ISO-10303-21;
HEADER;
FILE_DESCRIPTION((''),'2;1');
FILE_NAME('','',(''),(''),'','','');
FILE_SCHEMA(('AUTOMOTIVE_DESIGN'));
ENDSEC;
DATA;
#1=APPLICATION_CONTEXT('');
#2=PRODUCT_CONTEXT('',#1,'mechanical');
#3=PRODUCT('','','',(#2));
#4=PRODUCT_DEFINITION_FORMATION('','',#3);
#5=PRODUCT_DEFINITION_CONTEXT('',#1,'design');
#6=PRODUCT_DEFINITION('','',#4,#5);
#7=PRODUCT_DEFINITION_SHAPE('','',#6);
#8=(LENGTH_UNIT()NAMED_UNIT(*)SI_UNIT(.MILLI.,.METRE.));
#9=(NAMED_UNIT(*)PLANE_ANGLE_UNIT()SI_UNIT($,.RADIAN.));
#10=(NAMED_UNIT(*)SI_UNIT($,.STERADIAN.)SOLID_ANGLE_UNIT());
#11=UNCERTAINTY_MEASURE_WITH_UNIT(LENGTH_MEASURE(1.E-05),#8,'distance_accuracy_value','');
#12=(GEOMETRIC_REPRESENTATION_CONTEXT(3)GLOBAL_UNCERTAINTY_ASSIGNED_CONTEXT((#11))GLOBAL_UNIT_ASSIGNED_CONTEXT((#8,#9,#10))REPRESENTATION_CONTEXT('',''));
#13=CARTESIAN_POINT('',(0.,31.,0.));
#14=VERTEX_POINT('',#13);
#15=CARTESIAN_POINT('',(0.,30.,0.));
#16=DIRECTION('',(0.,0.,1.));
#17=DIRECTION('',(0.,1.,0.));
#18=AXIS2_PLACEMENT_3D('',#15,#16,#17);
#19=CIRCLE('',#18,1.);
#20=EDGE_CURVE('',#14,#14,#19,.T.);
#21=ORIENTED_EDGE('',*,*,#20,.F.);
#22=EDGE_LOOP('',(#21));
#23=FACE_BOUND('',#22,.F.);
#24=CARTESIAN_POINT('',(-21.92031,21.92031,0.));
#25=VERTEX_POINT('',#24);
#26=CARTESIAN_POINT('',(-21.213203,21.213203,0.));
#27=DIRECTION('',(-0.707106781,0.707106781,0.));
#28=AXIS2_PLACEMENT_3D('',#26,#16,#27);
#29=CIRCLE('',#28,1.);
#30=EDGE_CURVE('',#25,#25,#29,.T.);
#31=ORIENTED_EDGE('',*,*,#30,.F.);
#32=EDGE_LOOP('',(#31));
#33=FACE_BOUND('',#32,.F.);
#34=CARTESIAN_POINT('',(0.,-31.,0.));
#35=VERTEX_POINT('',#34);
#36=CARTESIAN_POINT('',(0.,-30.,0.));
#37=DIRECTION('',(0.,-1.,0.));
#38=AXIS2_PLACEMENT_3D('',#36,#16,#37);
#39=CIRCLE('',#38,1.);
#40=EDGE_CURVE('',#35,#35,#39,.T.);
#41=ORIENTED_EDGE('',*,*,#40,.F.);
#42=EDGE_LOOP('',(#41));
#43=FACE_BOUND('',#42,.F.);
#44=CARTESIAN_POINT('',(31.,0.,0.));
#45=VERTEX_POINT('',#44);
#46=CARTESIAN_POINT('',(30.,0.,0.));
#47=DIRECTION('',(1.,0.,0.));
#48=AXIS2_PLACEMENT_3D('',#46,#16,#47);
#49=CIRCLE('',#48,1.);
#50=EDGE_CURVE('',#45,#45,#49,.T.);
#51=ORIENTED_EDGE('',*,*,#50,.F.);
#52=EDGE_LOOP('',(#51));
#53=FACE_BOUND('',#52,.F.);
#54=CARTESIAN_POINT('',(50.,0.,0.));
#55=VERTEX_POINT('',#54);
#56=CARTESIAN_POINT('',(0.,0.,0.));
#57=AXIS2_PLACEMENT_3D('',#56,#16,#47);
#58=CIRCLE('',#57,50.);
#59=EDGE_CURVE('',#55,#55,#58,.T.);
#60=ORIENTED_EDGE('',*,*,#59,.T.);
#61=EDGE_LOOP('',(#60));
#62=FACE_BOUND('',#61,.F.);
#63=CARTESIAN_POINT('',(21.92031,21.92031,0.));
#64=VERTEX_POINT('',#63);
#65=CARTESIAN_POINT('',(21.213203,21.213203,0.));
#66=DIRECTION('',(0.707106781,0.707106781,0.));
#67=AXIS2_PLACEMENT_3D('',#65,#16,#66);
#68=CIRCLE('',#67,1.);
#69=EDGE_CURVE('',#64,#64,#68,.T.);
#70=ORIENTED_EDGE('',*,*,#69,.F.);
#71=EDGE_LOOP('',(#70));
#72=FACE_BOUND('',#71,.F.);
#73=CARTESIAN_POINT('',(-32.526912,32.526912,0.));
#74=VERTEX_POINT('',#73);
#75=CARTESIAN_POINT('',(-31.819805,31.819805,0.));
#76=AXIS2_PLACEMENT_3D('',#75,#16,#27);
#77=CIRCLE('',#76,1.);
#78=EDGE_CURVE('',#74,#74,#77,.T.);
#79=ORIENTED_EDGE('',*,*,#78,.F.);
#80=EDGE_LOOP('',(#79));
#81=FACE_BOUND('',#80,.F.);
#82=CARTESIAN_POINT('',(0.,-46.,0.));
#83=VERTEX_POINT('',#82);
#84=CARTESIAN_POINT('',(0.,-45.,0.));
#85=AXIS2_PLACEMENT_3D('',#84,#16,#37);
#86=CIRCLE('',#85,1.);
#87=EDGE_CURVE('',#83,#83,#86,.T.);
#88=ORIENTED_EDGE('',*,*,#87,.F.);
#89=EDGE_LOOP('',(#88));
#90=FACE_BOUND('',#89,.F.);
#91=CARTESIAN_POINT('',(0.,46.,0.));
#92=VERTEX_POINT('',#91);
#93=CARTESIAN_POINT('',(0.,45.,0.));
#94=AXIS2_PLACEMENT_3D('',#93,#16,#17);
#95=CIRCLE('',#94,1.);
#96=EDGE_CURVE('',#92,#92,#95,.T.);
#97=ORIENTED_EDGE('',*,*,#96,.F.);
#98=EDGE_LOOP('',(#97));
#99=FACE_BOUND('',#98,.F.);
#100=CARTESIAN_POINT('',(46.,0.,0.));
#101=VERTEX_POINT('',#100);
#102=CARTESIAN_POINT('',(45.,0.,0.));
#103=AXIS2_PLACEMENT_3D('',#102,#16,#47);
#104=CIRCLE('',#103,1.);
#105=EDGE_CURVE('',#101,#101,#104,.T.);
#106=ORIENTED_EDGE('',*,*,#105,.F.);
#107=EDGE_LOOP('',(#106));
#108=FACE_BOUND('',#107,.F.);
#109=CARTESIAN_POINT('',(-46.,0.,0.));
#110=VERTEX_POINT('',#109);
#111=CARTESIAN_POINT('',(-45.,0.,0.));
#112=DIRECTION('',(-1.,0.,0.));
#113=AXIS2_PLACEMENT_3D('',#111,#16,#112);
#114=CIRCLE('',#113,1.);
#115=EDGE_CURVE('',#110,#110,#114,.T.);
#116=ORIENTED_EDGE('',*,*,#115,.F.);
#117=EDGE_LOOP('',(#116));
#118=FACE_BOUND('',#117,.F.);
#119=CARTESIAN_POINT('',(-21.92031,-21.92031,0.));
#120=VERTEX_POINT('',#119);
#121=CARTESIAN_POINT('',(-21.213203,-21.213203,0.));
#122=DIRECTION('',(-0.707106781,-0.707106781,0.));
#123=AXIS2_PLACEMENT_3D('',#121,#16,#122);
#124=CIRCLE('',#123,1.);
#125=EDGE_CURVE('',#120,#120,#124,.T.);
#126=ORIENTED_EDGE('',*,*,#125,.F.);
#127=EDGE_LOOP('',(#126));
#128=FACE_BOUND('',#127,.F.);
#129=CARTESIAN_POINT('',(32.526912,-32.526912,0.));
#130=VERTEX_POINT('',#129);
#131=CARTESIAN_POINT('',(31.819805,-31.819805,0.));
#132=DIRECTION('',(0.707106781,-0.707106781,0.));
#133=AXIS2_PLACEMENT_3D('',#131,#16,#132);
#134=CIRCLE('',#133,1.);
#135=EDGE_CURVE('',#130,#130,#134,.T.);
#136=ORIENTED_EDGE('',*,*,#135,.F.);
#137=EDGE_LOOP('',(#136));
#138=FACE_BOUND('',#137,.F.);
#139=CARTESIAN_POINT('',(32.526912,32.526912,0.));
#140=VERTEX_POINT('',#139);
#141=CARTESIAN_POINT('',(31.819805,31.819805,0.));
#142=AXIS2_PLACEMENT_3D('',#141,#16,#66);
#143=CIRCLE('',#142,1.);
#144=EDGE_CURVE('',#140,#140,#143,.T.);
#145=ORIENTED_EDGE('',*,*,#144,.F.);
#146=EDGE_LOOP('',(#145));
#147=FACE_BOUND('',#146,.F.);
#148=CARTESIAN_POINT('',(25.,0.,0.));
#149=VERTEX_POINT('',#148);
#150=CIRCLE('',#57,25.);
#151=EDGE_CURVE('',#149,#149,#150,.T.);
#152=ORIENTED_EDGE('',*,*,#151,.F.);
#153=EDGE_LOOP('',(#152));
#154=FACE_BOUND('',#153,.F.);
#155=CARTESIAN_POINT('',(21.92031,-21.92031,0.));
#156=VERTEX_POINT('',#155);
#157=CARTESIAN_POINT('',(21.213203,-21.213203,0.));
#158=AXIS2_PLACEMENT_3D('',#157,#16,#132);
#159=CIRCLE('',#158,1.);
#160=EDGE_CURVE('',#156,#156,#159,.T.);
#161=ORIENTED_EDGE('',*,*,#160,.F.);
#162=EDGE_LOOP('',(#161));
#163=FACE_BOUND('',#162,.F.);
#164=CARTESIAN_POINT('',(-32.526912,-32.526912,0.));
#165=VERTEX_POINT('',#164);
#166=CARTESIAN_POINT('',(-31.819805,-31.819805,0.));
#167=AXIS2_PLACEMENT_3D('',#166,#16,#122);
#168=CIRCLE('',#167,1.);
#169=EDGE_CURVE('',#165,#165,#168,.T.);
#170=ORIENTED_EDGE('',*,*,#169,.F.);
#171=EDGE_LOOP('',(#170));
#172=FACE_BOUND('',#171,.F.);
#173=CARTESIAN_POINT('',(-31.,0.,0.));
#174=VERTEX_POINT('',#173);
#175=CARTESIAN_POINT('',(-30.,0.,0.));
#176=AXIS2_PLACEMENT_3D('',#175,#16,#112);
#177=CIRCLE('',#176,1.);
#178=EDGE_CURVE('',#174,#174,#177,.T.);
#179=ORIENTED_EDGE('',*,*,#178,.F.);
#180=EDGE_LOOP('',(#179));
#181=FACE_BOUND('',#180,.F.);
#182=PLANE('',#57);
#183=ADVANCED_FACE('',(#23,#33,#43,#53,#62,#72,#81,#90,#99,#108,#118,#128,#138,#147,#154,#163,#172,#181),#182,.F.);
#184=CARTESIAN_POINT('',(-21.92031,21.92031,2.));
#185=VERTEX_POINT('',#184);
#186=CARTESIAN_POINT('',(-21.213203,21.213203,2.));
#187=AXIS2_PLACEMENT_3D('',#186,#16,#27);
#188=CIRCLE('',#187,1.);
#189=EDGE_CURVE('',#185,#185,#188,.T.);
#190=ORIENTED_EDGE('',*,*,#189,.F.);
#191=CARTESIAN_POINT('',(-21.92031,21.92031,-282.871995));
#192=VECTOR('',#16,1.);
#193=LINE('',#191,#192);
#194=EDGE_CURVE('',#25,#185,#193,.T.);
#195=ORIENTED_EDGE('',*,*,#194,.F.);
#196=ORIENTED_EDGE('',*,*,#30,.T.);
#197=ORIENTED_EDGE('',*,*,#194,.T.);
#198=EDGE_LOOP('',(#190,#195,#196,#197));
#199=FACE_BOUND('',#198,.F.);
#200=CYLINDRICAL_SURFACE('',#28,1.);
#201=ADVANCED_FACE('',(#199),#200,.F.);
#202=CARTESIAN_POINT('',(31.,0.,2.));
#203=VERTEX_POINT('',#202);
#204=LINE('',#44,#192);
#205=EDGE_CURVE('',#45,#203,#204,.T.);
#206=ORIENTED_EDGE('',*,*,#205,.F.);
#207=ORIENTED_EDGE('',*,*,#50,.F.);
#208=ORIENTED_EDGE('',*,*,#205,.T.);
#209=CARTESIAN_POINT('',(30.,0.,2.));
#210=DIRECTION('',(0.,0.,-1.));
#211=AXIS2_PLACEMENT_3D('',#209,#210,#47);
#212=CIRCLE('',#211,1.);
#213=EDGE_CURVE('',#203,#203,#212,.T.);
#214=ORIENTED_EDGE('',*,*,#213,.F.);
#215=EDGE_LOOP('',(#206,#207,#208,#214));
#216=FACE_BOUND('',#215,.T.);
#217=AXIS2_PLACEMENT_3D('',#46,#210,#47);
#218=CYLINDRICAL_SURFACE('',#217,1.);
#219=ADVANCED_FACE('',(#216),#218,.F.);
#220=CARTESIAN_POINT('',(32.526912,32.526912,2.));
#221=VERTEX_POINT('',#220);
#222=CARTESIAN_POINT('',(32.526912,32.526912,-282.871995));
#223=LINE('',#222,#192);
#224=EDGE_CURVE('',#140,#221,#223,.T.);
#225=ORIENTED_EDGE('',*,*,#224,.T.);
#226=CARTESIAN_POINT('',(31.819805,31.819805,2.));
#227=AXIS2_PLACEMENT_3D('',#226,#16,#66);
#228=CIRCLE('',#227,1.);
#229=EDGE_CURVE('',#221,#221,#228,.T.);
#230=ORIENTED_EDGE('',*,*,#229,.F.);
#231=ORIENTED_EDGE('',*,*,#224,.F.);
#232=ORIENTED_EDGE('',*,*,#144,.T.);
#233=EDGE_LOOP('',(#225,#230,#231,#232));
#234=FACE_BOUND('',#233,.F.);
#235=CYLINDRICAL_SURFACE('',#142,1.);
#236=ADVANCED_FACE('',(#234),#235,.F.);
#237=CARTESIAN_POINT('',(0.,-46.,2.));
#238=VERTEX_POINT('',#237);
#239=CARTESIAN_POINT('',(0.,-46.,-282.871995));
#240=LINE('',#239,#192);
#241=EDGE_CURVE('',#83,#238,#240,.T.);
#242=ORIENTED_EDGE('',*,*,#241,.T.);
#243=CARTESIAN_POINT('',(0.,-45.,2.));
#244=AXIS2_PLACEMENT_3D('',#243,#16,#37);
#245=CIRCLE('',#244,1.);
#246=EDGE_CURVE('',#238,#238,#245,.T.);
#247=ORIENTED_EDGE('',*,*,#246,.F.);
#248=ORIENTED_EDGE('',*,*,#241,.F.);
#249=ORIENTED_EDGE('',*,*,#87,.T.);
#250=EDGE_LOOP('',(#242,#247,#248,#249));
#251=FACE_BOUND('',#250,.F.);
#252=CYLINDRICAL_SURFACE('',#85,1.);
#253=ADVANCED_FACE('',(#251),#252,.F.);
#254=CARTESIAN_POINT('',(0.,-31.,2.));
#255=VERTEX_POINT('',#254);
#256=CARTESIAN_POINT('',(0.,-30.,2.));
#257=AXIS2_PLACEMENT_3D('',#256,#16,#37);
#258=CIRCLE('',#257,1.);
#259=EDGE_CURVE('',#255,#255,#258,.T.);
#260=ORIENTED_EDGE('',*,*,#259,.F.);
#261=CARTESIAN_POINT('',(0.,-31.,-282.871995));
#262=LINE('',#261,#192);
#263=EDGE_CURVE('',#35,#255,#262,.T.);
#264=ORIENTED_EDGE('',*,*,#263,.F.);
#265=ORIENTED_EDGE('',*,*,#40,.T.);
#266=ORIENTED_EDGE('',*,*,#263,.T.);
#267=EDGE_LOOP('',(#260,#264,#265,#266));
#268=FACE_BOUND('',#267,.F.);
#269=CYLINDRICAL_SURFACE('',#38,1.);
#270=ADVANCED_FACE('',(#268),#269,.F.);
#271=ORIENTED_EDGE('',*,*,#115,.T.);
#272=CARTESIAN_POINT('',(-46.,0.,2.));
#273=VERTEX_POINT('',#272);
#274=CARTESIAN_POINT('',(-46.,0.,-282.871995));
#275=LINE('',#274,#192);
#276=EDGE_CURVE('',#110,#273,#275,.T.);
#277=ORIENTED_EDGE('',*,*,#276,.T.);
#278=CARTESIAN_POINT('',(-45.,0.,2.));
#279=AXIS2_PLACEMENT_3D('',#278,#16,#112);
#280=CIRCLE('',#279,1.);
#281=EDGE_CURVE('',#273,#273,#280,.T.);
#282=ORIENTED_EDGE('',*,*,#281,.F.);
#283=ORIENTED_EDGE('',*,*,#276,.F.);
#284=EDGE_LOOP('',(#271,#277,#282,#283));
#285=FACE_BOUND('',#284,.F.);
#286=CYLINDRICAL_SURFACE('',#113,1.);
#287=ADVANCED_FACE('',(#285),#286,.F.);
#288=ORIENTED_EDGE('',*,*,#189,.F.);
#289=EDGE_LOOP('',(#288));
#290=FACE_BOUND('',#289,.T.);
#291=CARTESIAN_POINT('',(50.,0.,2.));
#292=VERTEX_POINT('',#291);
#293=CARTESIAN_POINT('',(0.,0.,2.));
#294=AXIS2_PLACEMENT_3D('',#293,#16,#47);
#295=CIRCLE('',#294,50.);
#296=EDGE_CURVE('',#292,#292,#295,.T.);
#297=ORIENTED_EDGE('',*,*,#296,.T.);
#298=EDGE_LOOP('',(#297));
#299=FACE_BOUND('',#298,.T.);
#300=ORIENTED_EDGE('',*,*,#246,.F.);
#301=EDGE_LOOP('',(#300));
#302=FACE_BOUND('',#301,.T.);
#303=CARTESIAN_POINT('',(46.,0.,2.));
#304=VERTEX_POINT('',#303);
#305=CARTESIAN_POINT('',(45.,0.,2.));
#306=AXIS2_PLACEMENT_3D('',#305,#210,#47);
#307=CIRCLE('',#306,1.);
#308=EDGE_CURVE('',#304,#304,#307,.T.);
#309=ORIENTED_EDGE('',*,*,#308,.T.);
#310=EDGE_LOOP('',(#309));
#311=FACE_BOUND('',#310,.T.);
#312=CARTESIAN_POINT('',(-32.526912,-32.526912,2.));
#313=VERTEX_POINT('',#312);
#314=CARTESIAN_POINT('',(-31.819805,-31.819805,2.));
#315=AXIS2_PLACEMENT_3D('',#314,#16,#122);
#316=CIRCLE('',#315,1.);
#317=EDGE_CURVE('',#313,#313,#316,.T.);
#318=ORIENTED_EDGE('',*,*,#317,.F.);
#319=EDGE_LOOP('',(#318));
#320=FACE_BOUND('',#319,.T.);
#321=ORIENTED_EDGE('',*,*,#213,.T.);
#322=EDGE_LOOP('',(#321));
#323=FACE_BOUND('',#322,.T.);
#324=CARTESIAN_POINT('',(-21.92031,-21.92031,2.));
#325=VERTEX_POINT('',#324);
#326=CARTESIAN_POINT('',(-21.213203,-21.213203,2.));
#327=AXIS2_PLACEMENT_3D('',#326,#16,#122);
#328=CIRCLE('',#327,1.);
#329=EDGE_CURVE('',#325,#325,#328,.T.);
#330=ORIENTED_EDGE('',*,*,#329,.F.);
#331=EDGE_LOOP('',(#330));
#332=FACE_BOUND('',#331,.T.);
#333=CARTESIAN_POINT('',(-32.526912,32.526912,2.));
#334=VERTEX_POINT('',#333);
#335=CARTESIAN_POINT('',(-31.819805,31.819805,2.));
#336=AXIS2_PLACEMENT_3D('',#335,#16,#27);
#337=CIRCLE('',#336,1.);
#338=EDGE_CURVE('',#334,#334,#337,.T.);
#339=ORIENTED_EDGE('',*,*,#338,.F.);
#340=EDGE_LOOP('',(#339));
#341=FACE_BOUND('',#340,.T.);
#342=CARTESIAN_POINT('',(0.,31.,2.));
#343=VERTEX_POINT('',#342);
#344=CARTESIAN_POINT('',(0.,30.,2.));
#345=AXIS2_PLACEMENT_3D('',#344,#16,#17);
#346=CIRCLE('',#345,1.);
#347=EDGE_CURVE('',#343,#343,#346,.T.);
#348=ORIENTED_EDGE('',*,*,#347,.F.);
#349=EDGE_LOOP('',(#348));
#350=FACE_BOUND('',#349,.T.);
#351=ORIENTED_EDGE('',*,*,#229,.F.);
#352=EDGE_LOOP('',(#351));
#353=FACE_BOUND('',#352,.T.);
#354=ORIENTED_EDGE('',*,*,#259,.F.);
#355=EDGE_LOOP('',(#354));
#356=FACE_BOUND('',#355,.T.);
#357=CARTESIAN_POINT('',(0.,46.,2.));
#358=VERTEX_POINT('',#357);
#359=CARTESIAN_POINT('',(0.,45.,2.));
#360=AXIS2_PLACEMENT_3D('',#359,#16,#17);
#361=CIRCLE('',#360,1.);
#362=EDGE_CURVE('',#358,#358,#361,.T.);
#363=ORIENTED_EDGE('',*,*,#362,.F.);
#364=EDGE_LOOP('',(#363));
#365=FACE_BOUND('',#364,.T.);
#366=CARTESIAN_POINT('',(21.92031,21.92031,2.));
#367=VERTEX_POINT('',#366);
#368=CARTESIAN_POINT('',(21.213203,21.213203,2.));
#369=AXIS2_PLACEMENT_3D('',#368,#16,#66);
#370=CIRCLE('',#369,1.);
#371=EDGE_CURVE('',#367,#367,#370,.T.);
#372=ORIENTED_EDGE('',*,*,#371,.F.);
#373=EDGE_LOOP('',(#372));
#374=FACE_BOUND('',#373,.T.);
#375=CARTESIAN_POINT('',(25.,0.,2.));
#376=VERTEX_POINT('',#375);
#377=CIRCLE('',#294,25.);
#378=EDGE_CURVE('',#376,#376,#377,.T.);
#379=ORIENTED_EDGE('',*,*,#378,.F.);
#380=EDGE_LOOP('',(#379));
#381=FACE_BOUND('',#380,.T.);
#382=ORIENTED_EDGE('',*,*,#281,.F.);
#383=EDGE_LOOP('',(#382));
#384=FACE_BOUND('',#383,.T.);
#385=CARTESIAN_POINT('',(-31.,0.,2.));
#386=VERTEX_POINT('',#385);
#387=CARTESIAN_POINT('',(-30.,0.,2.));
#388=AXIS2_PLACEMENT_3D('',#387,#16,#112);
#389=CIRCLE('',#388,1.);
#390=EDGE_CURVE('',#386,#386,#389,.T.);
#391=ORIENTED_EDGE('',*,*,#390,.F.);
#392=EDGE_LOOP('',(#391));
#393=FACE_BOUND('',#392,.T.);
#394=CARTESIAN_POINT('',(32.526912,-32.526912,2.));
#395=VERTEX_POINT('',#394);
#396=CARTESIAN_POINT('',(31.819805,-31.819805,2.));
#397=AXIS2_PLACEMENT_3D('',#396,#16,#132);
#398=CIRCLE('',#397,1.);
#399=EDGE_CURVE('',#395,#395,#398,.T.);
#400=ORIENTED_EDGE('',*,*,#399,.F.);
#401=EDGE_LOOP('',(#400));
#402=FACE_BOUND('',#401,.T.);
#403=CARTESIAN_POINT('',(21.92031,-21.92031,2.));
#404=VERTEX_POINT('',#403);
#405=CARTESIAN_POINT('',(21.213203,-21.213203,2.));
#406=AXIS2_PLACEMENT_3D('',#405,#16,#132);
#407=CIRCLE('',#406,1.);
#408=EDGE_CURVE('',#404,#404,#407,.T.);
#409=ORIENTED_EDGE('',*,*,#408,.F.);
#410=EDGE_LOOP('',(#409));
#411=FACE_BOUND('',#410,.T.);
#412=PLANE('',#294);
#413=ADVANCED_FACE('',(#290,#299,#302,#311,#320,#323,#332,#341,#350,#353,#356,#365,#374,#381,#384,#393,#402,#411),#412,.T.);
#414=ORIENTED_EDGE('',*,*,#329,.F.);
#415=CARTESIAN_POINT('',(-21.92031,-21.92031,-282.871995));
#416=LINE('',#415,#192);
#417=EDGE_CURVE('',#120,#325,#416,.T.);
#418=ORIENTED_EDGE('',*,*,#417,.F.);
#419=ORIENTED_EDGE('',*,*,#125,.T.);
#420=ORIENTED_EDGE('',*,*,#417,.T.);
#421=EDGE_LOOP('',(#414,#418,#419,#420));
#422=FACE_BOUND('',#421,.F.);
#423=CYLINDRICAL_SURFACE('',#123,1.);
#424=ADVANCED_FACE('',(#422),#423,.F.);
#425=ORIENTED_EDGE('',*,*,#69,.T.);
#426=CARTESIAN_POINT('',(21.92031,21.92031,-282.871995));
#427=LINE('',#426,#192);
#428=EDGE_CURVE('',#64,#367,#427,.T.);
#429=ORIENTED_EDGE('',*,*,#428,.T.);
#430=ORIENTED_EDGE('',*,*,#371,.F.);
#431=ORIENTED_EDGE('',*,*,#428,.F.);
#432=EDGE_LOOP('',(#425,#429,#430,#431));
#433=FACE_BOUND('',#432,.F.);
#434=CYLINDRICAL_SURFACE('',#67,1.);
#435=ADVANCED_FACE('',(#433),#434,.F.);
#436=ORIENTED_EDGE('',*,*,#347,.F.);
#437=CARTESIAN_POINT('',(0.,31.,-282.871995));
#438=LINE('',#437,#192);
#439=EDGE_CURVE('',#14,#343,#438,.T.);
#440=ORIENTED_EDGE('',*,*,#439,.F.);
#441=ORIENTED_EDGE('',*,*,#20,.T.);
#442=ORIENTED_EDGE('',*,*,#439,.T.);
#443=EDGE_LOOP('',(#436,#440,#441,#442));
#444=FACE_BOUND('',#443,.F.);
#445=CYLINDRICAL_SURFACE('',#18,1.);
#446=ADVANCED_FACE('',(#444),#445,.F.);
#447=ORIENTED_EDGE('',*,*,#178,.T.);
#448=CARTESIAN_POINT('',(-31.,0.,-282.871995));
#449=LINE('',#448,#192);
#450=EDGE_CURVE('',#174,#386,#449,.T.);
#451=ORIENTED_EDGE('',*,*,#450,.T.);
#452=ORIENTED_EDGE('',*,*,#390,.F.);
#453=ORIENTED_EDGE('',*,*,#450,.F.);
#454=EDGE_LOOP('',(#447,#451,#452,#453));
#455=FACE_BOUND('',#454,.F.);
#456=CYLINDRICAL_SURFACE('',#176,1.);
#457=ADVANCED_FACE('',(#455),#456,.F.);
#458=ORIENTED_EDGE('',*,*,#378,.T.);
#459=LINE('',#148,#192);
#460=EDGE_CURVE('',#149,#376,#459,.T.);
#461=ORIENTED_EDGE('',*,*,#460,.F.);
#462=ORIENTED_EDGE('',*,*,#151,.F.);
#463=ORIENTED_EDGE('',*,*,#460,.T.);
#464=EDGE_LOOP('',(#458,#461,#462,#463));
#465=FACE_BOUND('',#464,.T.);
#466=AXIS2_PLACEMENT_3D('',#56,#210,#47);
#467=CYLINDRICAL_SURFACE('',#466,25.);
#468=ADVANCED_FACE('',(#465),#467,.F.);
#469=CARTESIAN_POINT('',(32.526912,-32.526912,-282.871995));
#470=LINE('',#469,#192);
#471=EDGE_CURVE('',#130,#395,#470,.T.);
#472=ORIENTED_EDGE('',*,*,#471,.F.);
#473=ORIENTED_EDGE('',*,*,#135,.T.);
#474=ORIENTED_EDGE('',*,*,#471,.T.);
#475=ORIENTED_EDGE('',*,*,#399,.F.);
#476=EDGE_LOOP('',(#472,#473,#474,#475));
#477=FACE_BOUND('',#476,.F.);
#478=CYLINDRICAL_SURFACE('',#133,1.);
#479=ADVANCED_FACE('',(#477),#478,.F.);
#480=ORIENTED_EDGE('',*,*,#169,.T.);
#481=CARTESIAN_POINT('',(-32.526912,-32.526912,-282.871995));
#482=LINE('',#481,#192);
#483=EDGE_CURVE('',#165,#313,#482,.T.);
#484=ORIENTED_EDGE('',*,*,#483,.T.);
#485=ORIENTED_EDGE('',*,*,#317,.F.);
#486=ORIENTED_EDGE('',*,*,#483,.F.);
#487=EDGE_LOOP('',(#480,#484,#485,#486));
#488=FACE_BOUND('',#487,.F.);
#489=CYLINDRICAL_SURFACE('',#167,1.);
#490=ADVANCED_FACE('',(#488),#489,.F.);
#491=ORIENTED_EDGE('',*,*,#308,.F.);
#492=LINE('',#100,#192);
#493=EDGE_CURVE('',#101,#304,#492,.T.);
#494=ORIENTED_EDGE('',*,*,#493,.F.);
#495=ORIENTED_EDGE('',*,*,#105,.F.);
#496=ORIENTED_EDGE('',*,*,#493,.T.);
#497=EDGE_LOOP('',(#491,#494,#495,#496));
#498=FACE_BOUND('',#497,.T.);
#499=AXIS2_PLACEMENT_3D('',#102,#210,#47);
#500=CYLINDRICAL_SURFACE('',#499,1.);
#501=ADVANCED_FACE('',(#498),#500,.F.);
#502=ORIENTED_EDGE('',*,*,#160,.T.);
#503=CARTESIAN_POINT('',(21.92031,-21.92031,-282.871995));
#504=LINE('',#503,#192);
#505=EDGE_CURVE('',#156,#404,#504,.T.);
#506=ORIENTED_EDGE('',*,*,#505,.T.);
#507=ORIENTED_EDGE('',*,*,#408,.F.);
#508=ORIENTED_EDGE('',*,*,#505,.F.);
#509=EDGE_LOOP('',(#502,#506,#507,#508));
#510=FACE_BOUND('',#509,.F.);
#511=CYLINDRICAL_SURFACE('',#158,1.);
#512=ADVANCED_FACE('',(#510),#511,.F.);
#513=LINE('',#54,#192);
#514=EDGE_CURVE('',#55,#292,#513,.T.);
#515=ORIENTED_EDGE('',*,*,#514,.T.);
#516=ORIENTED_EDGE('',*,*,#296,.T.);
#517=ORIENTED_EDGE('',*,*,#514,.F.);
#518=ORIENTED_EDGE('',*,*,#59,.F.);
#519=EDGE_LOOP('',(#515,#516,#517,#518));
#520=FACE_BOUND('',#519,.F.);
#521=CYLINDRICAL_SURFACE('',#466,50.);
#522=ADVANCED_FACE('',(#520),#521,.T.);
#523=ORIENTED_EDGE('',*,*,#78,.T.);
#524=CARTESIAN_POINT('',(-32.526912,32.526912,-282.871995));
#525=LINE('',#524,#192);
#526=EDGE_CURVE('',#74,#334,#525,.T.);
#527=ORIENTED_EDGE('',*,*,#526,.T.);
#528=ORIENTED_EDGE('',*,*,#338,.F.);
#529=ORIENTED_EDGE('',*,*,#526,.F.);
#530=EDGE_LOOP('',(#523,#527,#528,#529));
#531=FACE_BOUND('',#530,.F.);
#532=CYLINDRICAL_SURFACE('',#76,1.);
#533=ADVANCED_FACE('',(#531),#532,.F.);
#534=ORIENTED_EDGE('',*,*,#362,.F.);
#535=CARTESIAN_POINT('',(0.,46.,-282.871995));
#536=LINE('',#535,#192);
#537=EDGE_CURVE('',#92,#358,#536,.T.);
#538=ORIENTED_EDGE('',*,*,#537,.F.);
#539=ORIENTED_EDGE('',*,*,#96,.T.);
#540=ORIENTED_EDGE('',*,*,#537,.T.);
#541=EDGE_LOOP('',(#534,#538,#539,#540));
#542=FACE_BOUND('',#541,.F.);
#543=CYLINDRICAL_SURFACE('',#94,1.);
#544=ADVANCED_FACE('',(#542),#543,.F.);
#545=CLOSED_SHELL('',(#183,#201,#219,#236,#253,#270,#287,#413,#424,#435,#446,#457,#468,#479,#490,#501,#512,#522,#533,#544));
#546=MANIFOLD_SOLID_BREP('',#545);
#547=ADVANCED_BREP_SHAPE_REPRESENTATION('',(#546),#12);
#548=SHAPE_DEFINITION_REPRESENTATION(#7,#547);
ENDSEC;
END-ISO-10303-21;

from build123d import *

# Parameters (mm, degrees)
SKETCH_R           = 50
SKETCH_R_2         = 25
PAD_DEPTH          = 2
SKETCH001_R        = 1
POCKET_DEPTH       = 282.871995
POCKET_DEPTH_BACK  = 284.871995
POLARPATTERN_COUNT = 8


with BuildPart() as part:
    # Sketch → Pad (new body)
    with BuildSketch(Plane.XY):
        Circle(SKETCH_R)
        Circle(SKETCH_R_2, mode=Mode.SUBTRACT)
    extrude(amount=PAD_DEPTH)

    # Sketch001 → Pocket (cut, two sides)
    with BuildSketch(Plane.XY) as pocket_sk:
        with Locations((30, 0)):
            Circle(SKETCH001_R)
        with Locations((45, 0)):
            Circle(SKETCH001_R)
    pocket = extrude(amount=-POCKET_DEPTH, mode=Mode.SUBTRACT) + extrude(pocket_sk.sketch, amount=POCKET_DEPTH_BACK, mode=Mode.SUBTRACT)

    # PolarPattern: Pocket ×8 about axis
    polarpattern_axis = Axis((0, 0, 0), (0, 0, 1))
    for i in range(1, POLARPATTERN_COUNT):
        add(pocket.rotate(polarpattern_axis, i * 360 / POLARPATTERN_COUNT), mode=Mode.SUBTRACT)


solid = part.part
